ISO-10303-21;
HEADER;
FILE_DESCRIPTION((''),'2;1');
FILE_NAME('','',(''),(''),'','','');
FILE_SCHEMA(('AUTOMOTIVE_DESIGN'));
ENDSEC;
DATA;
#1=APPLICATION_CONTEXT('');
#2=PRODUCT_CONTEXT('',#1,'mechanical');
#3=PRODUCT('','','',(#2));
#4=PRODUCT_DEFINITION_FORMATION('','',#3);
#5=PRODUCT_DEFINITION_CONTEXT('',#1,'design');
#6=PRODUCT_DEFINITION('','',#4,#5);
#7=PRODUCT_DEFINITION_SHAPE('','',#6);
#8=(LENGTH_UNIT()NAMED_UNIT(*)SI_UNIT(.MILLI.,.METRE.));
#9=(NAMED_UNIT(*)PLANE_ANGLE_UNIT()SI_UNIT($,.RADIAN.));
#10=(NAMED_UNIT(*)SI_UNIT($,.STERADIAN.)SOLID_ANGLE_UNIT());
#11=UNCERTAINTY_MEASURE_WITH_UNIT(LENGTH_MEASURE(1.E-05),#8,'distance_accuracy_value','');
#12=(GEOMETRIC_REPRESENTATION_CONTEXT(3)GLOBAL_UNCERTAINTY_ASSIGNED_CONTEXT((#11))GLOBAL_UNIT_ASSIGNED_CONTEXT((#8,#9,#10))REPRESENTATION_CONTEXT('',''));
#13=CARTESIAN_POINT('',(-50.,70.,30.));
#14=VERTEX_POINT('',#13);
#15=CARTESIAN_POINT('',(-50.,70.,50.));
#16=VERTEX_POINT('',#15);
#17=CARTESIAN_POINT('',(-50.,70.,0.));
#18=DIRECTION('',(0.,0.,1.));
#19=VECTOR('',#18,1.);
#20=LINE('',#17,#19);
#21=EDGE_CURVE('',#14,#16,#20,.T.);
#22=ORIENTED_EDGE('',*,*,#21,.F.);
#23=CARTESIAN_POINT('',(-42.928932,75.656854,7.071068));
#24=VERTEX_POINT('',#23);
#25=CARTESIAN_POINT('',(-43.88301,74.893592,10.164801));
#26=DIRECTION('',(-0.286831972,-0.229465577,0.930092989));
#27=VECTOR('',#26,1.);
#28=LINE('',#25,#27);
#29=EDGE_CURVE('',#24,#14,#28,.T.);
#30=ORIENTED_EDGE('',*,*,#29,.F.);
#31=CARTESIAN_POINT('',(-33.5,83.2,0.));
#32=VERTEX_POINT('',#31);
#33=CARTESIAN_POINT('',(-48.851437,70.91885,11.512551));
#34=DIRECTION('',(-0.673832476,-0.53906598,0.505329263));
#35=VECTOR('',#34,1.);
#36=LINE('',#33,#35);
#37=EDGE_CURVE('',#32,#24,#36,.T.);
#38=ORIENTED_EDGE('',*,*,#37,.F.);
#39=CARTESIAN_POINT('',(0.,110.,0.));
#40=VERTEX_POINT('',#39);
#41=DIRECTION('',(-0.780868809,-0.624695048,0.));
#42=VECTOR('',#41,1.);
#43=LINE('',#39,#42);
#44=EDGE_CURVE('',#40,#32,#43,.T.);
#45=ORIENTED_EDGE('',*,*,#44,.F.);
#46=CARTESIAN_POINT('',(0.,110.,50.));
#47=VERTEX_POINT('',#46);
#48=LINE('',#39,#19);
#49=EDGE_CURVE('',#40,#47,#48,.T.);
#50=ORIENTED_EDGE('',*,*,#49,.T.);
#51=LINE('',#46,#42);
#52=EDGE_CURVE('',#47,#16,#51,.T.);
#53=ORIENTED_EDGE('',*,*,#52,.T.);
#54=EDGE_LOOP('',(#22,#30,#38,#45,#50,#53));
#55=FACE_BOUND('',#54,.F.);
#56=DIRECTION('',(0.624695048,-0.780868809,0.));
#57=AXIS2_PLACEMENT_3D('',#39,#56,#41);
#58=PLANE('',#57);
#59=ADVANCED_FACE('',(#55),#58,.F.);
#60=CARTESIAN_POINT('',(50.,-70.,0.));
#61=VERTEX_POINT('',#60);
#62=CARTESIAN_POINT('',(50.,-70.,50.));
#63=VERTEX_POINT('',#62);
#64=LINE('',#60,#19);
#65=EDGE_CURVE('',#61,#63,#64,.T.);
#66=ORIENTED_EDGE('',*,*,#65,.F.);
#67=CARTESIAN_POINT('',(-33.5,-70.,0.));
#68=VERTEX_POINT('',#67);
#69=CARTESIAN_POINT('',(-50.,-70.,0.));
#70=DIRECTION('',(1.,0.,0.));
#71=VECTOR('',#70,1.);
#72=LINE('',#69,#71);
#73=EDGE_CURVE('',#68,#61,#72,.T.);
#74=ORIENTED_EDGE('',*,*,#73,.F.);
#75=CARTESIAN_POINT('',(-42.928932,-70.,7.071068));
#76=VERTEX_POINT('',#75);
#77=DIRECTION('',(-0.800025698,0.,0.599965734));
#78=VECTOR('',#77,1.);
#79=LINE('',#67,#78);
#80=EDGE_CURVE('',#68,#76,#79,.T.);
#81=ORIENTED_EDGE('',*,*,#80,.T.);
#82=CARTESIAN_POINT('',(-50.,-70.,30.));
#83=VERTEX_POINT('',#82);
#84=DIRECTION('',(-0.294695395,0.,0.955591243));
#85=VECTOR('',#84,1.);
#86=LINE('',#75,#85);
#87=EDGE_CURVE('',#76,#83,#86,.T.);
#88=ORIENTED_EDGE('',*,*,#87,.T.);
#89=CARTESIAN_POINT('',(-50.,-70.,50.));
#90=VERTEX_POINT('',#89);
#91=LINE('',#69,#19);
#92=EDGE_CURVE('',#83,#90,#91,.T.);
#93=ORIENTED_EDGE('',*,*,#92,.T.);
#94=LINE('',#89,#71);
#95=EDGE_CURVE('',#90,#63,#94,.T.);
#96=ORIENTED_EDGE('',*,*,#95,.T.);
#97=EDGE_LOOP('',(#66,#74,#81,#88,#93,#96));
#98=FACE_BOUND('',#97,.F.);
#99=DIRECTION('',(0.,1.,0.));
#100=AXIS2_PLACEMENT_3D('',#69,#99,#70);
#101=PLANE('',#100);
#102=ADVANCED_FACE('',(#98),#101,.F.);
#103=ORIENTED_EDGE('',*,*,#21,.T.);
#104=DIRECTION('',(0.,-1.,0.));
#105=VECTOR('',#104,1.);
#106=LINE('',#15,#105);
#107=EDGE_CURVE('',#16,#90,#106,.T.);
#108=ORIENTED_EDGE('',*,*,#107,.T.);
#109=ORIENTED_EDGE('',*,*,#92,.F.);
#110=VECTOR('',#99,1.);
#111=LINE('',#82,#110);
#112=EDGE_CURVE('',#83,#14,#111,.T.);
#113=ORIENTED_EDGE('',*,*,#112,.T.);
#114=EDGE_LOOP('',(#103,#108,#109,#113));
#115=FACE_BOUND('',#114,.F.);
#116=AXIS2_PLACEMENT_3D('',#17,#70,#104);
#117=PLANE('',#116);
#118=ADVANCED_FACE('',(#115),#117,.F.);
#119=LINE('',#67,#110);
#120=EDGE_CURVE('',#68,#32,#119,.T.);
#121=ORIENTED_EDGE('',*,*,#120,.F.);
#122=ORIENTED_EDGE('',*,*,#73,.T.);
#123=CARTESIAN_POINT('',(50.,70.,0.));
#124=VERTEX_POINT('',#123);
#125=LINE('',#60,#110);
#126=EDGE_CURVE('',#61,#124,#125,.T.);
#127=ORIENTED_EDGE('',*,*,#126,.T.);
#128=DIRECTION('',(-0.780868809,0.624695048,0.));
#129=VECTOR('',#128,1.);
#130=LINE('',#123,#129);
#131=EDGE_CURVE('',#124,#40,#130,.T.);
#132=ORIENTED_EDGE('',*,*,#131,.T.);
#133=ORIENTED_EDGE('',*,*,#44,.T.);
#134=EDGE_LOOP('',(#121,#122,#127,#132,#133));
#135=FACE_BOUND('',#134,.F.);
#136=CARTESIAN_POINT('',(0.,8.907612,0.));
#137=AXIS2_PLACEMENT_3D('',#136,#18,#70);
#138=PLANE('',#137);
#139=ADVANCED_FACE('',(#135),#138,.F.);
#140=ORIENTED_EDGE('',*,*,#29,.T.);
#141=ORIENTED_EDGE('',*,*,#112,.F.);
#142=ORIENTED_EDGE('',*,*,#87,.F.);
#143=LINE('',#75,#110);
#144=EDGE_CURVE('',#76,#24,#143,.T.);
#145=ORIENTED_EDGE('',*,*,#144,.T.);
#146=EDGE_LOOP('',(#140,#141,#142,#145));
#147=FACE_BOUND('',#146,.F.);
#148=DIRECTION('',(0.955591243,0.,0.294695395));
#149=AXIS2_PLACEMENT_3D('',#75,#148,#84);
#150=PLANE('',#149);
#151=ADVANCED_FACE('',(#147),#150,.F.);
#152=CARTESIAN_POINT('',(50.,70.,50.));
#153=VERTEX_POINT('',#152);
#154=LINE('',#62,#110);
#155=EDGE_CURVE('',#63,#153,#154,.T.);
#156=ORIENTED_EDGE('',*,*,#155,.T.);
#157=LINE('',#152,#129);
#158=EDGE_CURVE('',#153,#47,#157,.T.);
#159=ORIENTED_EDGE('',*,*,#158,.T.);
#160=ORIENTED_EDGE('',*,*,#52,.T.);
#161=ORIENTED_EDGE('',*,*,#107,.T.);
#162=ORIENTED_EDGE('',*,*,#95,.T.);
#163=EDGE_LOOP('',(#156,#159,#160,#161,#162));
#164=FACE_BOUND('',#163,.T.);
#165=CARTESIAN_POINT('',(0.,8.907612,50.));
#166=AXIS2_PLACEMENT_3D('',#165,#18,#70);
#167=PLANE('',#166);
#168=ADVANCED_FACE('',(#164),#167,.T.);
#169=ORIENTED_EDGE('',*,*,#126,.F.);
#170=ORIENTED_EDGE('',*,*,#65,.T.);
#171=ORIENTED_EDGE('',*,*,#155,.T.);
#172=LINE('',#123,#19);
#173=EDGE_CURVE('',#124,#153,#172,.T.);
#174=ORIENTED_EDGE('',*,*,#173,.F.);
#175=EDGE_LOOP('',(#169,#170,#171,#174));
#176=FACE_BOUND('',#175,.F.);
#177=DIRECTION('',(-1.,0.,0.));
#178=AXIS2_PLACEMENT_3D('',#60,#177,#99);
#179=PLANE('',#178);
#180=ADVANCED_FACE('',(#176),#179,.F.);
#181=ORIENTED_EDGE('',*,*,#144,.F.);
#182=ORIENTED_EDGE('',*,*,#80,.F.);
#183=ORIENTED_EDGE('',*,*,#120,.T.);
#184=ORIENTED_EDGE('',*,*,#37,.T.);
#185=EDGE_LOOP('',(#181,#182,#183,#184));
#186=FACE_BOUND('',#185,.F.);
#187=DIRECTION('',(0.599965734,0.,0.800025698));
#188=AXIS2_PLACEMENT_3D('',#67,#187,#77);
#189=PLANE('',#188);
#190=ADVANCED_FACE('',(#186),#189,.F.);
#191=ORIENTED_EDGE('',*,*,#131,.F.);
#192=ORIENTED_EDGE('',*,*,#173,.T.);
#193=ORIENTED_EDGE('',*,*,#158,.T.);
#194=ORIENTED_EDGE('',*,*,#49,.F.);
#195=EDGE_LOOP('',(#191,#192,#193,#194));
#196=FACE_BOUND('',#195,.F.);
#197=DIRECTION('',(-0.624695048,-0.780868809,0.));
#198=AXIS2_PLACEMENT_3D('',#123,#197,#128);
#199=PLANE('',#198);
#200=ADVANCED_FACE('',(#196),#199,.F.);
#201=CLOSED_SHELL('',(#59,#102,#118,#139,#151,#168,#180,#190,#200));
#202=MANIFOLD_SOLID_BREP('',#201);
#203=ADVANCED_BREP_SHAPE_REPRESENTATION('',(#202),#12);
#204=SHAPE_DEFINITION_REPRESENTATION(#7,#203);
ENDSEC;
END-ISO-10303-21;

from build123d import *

# Parameters (mm, degrees)
F1_DEPTH = 50
F3_DEPTH = 180


with BuildPart() as f1:
    # F0 (on Top) → F1 (new body)
    with BuildSketch(Plane.XY):
        Polygon((-50, -70), (50, -70), (50, 70), (0, 110), (-50, 70), align=None)
    extrude(amount=F1_DEPTH)

    # F2 (on face) → F3 (cut)
    with BuildSketch(Plane.XZ.offset(70)):
        Polygon((-50, 0), (-33.5, 0), (-42.928932, 7.071068), (-50, 30), align=None)
    extrude(amount=-F3_DEPTH, mode=Mode.SUBTRACT)


solid = f1.part
